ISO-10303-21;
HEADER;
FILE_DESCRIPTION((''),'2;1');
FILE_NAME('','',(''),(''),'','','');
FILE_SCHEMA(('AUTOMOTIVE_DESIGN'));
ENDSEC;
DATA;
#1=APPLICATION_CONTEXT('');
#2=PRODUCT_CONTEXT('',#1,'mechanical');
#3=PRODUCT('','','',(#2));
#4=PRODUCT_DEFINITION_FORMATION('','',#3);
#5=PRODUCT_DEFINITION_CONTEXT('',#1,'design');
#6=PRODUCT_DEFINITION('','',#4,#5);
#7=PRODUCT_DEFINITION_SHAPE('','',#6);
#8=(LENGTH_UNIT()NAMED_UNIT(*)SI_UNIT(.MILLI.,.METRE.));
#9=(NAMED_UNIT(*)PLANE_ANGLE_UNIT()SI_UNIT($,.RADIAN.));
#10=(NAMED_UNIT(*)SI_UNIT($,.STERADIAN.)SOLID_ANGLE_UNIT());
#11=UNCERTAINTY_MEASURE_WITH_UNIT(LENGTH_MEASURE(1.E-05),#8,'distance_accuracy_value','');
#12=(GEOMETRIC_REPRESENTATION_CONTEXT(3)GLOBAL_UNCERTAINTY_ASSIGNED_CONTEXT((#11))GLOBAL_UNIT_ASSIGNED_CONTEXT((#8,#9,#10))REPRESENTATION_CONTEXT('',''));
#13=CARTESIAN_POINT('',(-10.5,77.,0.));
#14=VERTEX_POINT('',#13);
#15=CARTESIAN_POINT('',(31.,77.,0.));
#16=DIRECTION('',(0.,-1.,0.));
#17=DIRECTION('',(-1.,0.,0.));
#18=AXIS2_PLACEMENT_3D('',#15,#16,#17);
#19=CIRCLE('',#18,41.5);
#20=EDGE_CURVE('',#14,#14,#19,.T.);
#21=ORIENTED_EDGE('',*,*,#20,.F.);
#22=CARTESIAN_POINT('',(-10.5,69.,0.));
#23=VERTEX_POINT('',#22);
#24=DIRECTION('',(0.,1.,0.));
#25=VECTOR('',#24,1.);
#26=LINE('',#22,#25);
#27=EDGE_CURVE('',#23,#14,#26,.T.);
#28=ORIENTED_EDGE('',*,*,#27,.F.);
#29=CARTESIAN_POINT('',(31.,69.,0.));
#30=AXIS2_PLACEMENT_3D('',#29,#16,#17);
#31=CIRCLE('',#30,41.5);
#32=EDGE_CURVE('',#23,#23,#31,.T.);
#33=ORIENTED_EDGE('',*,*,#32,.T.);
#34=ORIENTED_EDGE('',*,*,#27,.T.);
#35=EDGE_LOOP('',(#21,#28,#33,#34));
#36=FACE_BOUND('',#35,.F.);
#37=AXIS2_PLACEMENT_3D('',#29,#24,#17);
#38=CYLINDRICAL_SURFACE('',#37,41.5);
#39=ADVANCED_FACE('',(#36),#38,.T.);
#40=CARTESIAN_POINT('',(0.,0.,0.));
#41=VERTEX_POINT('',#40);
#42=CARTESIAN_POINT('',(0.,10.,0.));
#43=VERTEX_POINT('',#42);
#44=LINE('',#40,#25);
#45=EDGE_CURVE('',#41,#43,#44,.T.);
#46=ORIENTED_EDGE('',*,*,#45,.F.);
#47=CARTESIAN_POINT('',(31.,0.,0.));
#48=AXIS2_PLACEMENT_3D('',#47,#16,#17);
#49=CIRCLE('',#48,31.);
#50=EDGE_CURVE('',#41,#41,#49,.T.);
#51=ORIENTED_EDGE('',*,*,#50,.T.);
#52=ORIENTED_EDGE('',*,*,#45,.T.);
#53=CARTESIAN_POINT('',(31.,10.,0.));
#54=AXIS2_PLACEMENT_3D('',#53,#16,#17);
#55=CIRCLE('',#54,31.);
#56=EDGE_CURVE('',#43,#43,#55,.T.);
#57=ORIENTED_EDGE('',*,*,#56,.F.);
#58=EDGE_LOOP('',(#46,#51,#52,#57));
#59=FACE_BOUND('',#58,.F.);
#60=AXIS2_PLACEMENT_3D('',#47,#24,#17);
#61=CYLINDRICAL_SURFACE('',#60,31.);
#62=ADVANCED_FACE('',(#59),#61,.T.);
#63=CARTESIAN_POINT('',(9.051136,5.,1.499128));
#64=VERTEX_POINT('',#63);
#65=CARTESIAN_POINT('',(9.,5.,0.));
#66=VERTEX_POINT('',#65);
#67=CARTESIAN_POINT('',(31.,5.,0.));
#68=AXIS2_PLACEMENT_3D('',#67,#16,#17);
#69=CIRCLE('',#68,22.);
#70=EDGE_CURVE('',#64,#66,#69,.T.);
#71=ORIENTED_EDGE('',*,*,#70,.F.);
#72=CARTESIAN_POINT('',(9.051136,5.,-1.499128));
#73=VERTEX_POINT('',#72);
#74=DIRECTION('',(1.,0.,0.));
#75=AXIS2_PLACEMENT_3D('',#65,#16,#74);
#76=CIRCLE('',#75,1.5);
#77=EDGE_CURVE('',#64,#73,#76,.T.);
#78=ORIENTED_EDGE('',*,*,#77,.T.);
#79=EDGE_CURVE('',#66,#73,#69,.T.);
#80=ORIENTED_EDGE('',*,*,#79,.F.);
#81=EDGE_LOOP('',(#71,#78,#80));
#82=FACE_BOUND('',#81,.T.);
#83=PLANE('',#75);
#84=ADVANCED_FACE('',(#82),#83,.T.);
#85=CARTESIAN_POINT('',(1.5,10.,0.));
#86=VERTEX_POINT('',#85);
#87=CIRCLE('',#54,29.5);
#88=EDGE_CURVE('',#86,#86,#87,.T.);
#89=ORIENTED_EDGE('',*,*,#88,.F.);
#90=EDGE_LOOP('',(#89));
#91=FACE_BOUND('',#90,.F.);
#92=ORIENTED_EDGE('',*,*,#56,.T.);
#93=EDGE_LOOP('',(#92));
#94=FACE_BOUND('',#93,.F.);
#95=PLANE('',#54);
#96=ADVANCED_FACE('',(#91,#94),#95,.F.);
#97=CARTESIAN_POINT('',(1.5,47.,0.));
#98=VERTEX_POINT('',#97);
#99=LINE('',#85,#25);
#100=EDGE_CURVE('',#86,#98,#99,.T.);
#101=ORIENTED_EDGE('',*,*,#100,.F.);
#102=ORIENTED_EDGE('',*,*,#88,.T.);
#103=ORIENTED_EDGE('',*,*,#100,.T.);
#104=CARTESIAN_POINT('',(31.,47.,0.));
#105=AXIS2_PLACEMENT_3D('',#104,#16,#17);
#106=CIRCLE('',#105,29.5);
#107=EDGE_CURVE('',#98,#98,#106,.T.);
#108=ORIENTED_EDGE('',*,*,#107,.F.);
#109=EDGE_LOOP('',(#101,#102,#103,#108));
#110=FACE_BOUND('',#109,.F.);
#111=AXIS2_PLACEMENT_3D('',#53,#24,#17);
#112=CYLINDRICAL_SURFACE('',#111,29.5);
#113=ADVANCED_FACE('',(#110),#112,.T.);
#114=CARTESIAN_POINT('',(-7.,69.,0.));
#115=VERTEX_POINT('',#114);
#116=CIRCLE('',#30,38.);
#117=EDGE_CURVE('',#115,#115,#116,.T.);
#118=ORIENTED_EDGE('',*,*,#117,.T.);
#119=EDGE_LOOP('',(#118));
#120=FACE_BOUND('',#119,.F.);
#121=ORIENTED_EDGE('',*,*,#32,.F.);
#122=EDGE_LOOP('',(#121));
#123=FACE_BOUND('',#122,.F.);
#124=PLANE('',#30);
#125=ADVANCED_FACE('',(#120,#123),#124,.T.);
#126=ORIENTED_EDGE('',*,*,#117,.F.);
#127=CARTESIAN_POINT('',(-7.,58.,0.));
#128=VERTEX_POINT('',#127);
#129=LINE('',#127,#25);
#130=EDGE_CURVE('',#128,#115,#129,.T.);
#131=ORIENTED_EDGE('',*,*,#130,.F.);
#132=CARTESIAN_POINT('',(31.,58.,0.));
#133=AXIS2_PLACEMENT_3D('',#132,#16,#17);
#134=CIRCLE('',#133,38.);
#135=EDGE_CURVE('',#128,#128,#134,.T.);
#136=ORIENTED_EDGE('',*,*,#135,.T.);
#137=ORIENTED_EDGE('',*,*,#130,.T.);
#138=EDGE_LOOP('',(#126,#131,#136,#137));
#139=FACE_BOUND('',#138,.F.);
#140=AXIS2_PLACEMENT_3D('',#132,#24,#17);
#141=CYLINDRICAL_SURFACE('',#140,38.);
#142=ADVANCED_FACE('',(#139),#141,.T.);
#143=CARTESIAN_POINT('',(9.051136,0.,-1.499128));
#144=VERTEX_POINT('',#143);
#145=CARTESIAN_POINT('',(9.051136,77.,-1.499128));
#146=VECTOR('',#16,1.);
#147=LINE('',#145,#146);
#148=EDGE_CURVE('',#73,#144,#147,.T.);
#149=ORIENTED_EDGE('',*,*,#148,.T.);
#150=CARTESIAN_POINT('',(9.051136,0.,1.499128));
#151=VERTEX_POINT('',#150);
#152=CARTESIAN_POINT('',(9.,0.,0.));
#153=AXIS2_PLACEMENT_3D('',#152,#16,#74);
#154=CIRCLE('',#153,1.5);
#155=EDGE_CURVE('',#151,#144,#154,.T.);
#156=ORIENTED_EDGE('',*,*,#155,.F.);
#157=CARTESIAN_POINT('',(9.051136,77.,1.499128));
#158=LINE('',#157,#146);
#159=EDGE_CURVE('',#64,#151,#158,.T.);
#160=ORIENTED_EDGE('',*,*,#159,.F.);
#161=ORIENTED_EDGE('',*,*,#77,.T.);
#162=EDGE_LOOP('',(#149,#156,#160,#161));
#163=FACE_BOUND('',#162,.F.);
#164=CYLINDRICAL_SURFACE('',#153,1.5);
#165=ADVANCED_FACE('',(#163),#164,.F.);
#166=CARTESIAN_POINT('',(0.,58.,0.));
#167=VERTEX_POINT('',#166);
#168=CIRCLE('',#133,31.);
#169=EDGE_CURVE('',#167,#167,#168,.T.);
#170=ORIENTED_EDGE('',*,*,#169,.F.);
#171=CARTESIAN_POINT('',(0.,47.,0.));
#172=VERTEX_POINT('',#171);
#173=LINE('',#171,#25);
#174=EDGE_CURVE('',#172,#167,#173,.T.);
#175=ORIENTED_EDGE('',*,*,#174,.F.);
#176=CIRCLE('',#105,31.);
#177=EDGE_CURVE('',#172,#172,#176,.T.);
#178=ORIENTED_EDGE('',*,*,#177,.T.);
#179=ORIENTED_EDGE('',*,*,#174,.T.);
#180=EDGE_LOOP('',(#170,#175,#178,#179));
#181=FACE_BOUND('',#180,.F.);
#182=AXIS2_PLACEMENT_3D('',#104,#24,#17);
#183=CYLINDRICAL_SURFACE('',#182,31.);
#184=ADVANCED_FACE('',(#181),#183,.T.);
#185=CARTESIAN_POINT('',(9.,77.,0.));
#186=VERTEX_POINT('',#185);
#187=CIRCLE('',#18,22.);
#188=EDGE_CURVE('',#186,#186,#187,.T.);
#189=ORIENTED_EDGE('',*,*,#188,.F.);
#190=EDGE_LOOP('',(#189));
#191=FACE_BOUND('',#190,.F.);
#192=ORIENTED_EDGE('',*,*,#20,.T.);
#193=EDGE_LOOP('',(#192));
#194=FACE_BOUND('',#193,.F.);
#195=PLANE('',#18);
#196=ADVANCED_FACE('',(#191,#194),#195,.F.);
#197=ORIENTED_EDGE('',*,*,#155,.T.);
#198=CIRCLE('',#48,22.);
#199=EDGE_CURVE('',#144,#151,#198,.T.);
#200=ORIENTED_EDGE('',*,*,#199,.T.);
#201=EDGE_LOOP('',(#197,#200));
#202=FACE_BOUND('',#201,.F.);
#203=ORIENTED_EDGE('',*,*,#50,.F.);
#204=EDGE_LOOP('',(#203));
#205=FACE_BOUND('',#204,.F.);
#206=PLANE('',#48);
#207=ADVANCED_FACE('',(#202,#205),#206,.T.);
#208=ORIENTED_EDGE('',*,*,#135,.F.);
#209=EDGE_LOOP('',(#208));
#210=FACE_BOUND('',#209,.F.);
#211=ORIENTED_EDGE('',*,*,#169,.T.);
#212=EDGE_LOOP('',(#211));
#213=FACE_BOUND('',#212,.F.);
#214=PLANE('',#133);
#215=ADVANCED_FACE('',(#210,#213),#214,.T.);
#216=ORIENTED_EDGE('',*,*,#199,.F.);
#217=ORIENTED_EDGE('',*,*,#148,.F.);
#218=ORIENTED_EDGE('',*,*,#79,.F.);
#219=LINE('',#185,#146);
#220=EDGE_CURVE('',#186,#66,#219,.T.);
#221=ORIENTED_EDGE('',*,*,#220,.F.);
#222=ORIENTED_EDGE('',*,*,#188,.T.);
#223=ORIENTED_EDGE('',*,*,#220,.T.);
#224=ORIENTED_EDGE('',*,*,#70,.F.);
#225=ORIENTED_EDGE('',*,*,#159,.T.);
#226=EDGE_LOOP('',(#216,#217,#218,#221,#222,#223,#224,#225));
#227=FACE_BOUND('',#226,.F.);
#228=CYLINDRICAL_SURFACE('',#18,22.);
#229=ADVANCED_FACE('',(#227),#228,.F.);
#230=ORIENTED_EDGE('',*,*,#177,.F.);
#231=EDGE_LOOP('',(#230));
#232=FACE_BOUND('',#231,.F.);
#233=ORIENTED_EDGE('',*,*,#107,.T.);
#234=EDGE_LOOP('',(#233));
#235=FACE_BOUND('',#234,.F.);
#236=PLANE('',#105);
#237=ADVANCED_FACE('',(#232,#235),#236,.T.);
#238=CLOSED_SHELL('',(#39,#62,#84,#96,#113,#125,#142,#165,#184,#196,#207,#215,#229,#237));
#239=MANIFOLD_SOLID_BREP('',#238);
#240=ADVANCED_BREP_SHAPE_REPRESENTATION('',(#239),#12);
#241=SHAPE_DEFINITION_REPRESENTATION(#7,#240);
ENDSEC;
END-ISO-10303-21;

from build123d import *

# Parameters (mm, degrees)
SKETCH2_R          = 1.5
CUT_EXTRUDE1_DEPTH = 5


with BuildPart() as part:
    # Sketch1 → Revolve1 (revolve)
    with BuildSketch(Plane.XY):
        Polygon((9, 0), (0, 0), (0, 10), (1.5, 10), (1.5, 47), (0, 47), (0, 58), (-7, 58), (-7, 69), (-10.5, 69), (-10.5, 77), (9, 77), align=None)
    revolve(axis=Axis((31, 85.626822198, 0), (0, -1, 0)))

    # Sketch2 → Cut-Extrude1 (cut)
    with BuildSketch(Plane.XZ):
        with Locations((9, 0)):
            Circle(SKETCH2_R)
    extrude(amount=-CUT_EXTRUDE1_DEPTH, mode=Mode.SUBTRACT)


solid = part.part
